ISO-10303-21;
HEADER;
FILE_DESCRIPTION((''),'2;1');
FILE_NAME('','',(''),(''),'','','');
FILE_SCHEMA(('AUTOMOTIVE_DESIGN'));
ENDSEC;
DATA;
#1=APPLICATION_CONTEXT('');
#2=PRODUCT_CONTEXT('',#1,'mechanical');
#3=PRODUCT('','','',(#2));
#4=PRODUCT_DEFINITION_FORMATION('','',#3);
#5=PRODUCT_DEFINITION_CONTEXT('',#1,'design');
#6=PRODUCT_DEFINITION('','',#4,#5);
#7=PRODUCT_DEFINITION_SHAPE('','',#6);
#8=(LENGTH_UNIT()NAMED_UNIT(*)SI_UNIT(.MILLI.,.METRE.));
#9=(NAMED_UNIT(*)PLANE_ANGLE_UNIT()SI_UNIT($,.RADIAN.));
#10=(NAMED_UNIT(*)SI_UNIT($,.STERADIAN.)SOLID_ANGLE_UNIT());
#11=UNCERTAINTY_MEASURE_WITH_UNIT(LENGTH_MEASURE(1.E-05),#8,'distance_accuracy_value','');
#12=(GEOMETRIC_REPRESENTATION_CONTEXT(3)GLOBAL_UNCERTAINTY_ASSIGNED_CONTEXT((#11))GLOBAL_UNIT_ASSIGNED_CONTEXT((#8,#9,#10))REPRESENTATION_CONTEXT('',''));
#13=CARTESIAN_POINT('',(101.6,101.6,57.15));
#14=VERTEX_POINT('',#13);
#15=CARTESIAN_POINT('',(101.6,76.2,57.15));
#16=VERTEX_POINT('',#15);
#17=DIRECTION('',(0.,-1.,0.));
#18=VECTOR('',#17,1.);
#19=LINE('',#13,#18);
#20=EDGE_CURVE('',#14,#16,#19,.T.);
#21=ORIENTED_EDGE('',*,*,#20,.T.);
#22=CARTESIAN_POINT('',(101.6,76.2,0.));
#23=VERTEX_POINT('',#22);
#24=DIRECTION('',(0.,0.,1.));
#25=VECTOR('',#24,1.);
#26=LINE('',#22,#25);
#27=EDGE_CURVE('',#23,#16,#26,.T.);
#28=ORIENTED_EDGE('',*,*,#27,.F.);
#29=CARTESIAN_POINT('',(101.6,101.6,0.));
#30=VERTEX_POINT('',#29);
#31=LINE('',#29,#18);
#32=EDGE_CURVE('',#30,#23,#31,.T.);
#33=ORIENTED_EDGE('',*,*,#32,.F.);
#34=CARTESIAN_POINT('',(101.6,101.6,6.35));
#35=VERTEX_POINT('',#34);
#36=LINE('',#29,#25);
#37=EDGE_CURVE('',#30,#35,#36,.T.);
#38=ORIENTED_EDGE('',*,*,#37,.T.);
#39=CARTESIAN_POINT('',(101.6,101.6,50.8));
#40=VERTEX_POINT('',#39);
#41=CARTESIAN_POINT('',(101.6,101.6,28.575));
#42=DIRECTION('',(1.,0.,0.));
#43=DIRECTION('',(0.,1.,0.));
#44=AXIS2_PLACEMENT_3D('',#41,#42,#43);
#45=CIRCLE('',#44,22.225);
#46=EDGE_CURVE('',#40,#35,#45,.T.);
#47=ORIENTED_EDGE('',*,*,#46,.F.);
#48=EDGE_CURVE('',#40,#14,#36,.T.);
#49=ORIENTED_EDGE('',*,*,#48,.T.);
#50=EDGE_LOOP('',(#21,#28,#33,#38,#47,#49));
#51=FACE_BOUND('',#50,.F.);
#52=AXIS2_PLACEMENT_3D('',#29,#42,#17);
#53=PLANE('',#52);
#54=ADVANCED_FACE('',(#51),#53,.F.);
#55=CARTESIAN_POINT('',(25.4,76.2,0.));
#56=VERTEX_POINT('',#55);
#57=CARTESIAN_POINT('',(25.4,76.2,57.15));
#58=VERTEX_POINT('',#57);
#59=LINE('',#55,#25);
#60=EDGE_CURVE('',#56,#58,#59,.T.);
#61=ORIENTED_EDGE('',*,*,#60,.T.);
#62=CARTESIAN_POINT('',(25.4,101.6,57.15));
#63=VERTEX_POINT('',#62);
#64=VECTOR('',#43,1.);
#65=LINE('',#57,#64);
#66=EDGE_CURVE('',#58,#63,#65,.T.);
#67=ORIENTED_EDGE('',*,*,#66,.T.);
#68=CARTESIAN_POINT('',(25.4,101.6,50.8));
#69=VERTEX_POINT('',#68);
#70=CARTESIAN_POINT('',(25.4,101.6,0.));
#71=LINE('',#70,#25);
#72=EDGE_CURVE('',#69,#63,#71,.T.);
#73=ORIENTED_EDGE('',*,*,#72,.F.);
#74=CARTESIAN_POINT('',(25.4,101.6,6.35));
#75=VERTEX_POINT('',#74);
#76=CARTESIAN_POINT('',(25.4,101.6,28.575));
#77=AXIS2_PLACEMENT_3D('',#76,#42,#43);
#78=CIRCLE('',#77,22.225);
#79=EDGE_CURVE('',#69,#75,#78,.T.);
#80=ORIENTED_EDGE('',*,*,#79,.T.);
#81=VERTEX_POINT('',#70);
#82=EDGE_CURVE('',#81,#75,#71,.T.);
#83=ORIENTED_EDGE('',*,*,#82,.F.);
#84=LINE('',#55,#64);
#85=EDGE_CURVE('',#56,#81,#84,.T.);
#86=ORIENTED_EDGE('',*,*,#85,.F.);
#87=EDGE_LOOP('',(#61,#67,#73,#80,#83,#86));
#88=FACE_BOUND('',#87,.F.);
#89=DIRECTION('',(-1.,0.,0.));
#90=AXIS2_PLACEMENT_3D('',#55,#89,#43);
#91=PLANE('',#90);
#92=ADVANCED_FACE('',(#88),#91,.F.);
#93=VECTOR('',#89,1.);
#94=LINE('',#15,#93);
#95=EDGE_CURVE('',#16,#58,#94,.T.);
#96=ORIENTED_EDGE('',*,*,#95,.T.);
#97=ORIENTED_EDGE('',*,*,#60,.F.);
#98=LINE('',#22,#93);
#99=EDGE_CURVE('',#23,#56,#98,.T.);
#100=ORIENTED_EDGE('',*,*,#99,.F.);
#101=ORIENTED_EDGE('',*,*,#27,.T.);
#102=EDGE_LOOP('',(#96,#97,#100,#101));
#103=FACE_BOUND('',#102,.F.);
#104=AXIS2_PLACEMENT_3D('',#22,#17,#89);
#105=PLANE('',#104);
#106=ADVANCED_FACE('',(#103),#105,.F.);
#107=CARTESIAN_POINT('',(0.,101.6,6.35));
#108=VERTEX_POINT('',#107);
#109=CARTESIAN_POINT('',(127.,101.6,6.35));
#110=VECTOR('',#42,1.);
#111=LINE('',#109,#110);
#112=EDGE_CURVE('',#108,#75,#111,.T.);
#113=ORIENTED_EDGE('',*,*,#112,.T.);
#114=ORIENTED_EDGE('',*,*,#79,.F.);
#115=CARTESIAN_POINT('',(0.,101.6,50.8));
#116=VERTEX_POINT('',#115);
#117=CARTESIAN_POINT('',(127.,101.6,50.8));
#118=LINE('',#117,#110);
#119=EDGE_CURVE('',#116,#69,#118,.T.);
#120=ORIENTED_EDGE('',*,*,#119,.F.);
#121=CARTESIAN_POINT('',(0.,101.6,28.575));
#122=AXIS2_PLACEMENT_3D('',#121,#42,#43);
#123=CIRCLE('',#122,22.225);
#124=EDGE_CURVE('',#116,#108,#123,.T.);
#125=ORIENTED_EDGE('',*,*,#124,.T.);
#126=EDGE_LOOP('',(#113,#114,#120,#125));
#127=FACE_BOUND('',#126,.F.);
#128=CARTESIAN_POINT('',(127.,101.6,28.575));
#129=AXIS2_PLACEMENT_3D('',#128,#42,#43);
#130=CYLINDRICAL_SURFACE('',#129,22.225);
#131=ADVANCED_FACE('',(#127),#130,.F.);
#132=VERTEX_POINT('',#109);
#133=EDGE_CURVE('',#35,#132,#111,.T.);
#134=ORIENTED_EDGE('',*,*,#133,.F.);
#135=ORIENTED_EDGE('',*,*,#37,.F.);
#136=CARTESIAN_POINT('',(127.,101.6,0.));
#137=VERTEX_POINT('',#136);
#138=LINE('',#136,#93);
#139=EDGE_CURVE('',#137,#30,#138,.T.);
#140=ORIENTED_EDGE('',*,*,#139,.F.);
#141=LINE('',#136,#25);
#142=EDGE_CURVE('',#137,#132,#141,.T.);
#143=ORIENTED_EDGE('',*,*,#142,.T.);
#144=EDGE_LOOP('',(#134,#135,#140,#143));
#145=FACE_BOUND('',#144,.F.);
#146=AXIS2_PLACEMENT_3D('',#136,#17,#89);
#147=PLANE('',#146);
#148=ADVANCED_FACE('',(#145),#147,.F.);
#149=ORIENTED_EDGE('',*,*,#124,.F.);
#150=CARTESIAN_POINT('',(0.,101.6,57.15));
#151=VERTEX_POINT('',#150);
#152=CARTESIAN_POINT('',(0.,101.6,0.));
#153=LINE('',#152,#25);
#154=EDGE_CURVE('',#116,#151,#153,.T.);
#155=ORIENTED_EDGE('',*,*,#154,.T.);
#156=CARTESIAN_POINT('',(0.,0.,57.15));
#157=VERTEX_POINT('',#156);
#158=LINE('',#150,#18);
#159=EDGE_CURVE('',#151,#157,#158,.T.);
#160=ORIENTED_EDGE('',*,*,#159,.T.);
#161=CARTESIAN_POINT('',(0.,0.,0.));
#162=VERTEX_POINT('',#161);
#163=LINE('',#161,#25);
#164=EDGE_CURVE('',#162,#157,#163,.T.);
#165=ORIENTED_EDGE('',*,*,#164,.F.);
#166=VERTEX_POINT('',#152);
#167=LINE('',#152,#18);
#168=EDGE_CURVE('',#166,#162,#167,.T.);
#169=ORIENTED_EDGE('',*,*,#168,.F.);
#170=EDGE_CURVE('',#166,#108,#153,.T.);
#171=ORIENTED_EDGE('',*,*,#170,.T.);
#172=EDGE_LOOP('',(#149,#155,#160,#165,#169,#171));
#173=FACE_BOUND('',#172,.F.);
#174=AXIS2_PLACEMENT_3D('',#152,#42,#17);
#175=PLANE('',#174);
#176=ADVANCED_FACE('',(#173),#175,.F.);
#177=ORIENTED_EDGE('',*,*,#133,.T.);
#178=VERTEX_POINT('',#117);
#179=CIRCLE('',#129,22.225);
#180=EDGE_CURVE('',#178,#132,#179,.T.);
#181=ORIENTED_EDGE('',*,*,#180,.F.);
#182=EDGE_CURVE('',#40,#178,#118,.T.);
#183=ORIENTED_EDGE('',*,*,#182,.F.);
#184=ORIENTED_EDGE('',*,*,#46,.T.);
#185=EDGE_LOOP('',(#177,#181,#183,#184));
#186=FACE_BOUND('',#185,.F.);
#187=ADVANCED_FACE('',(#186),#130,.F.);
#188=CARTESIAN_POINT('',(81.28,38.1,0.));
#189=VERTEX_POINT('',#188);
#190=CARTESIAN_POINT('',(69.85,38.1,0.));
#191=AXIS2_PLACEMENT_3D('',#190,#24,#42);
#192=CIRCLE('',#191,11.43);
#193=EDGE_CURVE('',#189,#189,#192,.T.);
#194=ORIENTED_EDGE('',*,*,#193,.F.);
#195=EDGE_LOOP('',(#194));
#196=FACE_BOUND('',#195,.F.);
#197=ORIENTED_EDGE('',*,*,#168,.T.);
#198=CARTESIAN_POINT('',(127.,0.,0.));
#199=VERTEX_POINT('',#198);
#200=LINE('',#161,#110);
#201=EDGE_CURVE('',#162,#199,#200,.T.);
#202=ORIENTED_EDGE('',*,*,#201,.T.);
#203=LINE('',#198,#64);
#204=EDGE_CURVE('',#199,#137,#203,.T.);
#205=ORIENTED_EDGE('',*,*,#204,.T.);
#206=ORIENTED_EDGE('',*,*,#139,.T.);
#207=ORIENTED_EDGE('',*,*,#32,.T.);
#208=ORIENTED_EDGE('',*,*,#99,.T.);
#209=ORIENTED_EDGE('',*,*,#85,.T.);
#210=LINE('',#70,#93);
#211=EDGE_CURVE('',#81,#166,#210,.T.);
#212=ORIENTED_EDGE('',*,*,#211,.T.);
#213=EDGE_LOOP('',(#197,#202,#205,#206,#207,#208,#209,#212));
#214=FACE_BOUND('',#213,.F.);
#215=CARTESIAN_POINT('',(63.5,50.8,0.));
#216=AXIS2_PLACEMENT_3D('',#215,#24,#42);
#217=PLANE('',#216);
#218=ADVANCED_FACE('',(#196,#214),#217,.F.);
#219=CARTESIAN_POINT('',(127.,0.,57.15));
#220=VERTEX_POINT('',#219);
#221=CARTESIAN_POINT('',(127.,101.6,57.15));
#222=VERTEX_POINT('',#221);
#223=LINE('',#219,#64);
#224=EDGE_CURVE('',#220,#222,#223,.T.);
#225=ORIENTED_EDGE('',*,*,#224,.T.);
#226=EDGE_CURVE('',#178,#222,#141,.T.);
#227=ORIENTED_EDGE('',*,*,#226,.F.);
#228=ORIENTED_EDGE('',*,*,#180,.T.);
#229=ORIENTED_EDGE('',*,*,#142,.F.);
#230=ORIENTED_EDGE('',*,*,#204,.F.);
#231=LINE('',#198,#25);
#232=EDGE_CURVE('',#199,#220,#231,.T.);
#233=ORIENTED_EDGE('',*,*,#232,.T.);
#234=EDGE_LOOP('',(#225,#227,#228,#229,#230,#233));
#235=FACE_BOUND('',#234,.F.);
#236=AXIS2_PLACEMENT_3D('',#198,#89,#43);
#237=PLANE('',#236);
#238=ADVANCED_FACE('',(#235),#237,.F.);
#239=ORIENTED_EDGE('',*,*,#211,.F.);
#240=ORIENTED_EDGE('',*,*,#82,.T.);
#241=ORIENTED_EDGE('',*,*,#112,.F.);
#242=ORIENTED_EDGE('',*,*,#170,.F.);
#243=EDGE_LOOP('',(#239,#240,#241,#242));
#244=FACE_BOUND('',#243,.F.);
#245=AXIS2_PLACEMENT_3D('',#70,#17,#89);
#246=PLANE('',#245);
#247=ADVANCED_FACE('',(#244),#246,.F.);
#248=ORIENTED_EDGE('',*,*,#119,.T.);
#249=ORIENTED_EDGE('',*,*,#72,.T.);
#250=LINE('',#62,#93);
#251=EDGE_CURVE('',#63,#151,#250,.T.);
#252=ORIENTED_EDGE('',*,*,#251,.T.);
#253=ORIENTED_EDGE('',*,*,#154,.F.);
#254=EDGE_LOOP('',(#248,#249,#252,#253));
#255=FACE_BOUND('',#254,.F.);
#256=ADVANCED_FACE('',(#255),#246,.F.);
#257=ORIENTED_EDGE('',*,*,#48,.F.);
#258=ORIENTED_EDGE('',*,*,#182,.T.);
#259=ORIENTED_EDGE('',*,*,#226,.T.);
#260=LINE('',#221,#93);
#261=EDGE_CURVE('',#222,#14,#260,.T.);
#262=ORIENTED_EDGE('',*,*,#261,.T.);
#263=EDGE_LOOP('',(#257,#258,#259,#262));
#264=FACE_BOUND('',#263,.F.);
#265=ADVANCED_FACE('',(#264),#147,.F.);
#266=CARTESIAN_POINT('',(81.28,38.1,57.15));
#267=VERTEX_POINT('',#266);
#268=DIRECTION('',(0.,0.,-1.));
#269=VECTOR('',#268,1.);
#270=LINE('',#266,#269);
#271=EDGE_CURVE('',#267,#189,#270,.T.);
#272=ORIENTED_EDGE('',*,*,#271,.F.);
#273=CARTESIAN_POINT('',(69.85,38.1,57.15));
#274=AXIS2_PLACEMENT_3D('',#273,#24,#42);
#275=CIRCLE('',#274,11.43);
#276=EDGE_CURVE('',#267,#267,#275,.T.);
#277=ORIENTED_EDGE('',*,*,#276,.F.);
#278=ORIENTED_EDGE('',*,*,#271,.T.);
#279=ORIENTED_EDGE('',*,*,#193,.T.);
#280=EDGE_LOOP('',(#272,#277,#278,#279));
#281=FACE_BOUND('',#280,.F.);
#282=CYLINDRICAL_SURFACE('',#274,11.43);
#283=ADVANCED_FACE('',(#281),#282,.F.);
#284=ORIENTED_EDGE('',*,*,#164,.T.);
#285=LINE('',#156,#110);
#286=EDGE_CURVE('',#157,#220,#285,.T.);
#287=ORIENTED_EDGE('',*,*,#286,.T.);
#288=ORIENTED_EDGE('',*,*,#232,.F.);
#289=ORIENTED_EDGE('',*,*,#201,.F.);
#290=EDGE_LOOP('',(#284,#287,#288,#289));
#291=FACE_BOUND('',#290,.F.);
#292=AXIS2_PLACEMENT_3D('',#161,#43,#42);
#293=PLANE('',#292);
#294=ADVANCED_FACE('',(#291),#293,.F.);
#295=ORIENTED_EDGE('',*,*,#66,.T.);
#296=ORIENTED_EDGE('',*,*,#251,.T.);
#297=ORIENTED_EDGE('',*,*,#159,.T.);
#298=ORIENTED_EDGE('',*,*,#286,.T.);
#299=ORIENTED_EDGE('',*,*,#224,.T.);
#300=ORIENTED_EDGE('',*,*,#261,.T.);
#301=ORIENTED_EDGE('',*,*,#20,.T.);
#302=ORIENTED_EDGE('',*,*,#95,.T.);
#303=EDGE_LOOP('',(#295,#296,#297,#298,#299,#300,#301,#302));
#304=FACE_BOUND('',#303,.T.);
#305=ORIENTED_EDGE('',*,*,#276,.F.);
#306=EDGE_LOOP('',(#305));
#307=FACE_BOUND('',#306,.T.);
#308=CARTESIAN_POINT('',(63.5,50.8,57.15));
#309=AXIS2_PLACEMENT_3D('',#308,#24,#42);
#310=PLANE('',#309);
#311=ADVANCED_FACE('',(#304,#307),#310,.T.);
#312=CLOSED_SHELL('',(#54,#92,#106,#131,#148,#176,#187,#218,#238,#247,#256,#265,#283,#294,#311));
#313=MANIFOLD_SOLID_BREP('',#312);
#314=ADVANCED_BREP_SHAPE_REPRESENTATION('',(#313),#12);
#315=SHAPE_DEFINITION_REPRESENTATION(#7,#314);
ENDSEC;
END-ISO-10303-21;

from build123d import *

# Parameters (mm, degrees)
F1_DEPTH = 57.15
F2_R     = 22.225
F3_DEPTH = 127
F4_R     = 11.43
F5_DEPTH = 76.2


with BuildPart() as f1:
    # F0 (on Top) → F1 (new body)
    with BuildSketch(Plane.XY):
        Polygon((0, 101.6), (0, 0), (127, 0), (127, 101.6), (101.6, 101.6), (101.6, 76.2), (25.4, 76.2), (25.4, 101.6), align=None)
    extrude(amount=F1_DEPTH)

    # F2 (on face) → F3 (cut)
    with BuildSketch(Plane.YZ.offset(127)):
        with Locations((101.6, 28.575)):
            Circle(F2_R)
    extrude(amount=-F3_DEPTH, mode=Mode.SUBTRACT)

    # F4 (on face) → F5 (cut)
    with BuildSketch(Plane.XY.offset(57.15)):
        with Locations((69.85, 38.1)):
            Circle(F4_R)
    extrude(amount=-F5_DEPTH, mode=Mode.SUBTRACT)


solid = f1.part
